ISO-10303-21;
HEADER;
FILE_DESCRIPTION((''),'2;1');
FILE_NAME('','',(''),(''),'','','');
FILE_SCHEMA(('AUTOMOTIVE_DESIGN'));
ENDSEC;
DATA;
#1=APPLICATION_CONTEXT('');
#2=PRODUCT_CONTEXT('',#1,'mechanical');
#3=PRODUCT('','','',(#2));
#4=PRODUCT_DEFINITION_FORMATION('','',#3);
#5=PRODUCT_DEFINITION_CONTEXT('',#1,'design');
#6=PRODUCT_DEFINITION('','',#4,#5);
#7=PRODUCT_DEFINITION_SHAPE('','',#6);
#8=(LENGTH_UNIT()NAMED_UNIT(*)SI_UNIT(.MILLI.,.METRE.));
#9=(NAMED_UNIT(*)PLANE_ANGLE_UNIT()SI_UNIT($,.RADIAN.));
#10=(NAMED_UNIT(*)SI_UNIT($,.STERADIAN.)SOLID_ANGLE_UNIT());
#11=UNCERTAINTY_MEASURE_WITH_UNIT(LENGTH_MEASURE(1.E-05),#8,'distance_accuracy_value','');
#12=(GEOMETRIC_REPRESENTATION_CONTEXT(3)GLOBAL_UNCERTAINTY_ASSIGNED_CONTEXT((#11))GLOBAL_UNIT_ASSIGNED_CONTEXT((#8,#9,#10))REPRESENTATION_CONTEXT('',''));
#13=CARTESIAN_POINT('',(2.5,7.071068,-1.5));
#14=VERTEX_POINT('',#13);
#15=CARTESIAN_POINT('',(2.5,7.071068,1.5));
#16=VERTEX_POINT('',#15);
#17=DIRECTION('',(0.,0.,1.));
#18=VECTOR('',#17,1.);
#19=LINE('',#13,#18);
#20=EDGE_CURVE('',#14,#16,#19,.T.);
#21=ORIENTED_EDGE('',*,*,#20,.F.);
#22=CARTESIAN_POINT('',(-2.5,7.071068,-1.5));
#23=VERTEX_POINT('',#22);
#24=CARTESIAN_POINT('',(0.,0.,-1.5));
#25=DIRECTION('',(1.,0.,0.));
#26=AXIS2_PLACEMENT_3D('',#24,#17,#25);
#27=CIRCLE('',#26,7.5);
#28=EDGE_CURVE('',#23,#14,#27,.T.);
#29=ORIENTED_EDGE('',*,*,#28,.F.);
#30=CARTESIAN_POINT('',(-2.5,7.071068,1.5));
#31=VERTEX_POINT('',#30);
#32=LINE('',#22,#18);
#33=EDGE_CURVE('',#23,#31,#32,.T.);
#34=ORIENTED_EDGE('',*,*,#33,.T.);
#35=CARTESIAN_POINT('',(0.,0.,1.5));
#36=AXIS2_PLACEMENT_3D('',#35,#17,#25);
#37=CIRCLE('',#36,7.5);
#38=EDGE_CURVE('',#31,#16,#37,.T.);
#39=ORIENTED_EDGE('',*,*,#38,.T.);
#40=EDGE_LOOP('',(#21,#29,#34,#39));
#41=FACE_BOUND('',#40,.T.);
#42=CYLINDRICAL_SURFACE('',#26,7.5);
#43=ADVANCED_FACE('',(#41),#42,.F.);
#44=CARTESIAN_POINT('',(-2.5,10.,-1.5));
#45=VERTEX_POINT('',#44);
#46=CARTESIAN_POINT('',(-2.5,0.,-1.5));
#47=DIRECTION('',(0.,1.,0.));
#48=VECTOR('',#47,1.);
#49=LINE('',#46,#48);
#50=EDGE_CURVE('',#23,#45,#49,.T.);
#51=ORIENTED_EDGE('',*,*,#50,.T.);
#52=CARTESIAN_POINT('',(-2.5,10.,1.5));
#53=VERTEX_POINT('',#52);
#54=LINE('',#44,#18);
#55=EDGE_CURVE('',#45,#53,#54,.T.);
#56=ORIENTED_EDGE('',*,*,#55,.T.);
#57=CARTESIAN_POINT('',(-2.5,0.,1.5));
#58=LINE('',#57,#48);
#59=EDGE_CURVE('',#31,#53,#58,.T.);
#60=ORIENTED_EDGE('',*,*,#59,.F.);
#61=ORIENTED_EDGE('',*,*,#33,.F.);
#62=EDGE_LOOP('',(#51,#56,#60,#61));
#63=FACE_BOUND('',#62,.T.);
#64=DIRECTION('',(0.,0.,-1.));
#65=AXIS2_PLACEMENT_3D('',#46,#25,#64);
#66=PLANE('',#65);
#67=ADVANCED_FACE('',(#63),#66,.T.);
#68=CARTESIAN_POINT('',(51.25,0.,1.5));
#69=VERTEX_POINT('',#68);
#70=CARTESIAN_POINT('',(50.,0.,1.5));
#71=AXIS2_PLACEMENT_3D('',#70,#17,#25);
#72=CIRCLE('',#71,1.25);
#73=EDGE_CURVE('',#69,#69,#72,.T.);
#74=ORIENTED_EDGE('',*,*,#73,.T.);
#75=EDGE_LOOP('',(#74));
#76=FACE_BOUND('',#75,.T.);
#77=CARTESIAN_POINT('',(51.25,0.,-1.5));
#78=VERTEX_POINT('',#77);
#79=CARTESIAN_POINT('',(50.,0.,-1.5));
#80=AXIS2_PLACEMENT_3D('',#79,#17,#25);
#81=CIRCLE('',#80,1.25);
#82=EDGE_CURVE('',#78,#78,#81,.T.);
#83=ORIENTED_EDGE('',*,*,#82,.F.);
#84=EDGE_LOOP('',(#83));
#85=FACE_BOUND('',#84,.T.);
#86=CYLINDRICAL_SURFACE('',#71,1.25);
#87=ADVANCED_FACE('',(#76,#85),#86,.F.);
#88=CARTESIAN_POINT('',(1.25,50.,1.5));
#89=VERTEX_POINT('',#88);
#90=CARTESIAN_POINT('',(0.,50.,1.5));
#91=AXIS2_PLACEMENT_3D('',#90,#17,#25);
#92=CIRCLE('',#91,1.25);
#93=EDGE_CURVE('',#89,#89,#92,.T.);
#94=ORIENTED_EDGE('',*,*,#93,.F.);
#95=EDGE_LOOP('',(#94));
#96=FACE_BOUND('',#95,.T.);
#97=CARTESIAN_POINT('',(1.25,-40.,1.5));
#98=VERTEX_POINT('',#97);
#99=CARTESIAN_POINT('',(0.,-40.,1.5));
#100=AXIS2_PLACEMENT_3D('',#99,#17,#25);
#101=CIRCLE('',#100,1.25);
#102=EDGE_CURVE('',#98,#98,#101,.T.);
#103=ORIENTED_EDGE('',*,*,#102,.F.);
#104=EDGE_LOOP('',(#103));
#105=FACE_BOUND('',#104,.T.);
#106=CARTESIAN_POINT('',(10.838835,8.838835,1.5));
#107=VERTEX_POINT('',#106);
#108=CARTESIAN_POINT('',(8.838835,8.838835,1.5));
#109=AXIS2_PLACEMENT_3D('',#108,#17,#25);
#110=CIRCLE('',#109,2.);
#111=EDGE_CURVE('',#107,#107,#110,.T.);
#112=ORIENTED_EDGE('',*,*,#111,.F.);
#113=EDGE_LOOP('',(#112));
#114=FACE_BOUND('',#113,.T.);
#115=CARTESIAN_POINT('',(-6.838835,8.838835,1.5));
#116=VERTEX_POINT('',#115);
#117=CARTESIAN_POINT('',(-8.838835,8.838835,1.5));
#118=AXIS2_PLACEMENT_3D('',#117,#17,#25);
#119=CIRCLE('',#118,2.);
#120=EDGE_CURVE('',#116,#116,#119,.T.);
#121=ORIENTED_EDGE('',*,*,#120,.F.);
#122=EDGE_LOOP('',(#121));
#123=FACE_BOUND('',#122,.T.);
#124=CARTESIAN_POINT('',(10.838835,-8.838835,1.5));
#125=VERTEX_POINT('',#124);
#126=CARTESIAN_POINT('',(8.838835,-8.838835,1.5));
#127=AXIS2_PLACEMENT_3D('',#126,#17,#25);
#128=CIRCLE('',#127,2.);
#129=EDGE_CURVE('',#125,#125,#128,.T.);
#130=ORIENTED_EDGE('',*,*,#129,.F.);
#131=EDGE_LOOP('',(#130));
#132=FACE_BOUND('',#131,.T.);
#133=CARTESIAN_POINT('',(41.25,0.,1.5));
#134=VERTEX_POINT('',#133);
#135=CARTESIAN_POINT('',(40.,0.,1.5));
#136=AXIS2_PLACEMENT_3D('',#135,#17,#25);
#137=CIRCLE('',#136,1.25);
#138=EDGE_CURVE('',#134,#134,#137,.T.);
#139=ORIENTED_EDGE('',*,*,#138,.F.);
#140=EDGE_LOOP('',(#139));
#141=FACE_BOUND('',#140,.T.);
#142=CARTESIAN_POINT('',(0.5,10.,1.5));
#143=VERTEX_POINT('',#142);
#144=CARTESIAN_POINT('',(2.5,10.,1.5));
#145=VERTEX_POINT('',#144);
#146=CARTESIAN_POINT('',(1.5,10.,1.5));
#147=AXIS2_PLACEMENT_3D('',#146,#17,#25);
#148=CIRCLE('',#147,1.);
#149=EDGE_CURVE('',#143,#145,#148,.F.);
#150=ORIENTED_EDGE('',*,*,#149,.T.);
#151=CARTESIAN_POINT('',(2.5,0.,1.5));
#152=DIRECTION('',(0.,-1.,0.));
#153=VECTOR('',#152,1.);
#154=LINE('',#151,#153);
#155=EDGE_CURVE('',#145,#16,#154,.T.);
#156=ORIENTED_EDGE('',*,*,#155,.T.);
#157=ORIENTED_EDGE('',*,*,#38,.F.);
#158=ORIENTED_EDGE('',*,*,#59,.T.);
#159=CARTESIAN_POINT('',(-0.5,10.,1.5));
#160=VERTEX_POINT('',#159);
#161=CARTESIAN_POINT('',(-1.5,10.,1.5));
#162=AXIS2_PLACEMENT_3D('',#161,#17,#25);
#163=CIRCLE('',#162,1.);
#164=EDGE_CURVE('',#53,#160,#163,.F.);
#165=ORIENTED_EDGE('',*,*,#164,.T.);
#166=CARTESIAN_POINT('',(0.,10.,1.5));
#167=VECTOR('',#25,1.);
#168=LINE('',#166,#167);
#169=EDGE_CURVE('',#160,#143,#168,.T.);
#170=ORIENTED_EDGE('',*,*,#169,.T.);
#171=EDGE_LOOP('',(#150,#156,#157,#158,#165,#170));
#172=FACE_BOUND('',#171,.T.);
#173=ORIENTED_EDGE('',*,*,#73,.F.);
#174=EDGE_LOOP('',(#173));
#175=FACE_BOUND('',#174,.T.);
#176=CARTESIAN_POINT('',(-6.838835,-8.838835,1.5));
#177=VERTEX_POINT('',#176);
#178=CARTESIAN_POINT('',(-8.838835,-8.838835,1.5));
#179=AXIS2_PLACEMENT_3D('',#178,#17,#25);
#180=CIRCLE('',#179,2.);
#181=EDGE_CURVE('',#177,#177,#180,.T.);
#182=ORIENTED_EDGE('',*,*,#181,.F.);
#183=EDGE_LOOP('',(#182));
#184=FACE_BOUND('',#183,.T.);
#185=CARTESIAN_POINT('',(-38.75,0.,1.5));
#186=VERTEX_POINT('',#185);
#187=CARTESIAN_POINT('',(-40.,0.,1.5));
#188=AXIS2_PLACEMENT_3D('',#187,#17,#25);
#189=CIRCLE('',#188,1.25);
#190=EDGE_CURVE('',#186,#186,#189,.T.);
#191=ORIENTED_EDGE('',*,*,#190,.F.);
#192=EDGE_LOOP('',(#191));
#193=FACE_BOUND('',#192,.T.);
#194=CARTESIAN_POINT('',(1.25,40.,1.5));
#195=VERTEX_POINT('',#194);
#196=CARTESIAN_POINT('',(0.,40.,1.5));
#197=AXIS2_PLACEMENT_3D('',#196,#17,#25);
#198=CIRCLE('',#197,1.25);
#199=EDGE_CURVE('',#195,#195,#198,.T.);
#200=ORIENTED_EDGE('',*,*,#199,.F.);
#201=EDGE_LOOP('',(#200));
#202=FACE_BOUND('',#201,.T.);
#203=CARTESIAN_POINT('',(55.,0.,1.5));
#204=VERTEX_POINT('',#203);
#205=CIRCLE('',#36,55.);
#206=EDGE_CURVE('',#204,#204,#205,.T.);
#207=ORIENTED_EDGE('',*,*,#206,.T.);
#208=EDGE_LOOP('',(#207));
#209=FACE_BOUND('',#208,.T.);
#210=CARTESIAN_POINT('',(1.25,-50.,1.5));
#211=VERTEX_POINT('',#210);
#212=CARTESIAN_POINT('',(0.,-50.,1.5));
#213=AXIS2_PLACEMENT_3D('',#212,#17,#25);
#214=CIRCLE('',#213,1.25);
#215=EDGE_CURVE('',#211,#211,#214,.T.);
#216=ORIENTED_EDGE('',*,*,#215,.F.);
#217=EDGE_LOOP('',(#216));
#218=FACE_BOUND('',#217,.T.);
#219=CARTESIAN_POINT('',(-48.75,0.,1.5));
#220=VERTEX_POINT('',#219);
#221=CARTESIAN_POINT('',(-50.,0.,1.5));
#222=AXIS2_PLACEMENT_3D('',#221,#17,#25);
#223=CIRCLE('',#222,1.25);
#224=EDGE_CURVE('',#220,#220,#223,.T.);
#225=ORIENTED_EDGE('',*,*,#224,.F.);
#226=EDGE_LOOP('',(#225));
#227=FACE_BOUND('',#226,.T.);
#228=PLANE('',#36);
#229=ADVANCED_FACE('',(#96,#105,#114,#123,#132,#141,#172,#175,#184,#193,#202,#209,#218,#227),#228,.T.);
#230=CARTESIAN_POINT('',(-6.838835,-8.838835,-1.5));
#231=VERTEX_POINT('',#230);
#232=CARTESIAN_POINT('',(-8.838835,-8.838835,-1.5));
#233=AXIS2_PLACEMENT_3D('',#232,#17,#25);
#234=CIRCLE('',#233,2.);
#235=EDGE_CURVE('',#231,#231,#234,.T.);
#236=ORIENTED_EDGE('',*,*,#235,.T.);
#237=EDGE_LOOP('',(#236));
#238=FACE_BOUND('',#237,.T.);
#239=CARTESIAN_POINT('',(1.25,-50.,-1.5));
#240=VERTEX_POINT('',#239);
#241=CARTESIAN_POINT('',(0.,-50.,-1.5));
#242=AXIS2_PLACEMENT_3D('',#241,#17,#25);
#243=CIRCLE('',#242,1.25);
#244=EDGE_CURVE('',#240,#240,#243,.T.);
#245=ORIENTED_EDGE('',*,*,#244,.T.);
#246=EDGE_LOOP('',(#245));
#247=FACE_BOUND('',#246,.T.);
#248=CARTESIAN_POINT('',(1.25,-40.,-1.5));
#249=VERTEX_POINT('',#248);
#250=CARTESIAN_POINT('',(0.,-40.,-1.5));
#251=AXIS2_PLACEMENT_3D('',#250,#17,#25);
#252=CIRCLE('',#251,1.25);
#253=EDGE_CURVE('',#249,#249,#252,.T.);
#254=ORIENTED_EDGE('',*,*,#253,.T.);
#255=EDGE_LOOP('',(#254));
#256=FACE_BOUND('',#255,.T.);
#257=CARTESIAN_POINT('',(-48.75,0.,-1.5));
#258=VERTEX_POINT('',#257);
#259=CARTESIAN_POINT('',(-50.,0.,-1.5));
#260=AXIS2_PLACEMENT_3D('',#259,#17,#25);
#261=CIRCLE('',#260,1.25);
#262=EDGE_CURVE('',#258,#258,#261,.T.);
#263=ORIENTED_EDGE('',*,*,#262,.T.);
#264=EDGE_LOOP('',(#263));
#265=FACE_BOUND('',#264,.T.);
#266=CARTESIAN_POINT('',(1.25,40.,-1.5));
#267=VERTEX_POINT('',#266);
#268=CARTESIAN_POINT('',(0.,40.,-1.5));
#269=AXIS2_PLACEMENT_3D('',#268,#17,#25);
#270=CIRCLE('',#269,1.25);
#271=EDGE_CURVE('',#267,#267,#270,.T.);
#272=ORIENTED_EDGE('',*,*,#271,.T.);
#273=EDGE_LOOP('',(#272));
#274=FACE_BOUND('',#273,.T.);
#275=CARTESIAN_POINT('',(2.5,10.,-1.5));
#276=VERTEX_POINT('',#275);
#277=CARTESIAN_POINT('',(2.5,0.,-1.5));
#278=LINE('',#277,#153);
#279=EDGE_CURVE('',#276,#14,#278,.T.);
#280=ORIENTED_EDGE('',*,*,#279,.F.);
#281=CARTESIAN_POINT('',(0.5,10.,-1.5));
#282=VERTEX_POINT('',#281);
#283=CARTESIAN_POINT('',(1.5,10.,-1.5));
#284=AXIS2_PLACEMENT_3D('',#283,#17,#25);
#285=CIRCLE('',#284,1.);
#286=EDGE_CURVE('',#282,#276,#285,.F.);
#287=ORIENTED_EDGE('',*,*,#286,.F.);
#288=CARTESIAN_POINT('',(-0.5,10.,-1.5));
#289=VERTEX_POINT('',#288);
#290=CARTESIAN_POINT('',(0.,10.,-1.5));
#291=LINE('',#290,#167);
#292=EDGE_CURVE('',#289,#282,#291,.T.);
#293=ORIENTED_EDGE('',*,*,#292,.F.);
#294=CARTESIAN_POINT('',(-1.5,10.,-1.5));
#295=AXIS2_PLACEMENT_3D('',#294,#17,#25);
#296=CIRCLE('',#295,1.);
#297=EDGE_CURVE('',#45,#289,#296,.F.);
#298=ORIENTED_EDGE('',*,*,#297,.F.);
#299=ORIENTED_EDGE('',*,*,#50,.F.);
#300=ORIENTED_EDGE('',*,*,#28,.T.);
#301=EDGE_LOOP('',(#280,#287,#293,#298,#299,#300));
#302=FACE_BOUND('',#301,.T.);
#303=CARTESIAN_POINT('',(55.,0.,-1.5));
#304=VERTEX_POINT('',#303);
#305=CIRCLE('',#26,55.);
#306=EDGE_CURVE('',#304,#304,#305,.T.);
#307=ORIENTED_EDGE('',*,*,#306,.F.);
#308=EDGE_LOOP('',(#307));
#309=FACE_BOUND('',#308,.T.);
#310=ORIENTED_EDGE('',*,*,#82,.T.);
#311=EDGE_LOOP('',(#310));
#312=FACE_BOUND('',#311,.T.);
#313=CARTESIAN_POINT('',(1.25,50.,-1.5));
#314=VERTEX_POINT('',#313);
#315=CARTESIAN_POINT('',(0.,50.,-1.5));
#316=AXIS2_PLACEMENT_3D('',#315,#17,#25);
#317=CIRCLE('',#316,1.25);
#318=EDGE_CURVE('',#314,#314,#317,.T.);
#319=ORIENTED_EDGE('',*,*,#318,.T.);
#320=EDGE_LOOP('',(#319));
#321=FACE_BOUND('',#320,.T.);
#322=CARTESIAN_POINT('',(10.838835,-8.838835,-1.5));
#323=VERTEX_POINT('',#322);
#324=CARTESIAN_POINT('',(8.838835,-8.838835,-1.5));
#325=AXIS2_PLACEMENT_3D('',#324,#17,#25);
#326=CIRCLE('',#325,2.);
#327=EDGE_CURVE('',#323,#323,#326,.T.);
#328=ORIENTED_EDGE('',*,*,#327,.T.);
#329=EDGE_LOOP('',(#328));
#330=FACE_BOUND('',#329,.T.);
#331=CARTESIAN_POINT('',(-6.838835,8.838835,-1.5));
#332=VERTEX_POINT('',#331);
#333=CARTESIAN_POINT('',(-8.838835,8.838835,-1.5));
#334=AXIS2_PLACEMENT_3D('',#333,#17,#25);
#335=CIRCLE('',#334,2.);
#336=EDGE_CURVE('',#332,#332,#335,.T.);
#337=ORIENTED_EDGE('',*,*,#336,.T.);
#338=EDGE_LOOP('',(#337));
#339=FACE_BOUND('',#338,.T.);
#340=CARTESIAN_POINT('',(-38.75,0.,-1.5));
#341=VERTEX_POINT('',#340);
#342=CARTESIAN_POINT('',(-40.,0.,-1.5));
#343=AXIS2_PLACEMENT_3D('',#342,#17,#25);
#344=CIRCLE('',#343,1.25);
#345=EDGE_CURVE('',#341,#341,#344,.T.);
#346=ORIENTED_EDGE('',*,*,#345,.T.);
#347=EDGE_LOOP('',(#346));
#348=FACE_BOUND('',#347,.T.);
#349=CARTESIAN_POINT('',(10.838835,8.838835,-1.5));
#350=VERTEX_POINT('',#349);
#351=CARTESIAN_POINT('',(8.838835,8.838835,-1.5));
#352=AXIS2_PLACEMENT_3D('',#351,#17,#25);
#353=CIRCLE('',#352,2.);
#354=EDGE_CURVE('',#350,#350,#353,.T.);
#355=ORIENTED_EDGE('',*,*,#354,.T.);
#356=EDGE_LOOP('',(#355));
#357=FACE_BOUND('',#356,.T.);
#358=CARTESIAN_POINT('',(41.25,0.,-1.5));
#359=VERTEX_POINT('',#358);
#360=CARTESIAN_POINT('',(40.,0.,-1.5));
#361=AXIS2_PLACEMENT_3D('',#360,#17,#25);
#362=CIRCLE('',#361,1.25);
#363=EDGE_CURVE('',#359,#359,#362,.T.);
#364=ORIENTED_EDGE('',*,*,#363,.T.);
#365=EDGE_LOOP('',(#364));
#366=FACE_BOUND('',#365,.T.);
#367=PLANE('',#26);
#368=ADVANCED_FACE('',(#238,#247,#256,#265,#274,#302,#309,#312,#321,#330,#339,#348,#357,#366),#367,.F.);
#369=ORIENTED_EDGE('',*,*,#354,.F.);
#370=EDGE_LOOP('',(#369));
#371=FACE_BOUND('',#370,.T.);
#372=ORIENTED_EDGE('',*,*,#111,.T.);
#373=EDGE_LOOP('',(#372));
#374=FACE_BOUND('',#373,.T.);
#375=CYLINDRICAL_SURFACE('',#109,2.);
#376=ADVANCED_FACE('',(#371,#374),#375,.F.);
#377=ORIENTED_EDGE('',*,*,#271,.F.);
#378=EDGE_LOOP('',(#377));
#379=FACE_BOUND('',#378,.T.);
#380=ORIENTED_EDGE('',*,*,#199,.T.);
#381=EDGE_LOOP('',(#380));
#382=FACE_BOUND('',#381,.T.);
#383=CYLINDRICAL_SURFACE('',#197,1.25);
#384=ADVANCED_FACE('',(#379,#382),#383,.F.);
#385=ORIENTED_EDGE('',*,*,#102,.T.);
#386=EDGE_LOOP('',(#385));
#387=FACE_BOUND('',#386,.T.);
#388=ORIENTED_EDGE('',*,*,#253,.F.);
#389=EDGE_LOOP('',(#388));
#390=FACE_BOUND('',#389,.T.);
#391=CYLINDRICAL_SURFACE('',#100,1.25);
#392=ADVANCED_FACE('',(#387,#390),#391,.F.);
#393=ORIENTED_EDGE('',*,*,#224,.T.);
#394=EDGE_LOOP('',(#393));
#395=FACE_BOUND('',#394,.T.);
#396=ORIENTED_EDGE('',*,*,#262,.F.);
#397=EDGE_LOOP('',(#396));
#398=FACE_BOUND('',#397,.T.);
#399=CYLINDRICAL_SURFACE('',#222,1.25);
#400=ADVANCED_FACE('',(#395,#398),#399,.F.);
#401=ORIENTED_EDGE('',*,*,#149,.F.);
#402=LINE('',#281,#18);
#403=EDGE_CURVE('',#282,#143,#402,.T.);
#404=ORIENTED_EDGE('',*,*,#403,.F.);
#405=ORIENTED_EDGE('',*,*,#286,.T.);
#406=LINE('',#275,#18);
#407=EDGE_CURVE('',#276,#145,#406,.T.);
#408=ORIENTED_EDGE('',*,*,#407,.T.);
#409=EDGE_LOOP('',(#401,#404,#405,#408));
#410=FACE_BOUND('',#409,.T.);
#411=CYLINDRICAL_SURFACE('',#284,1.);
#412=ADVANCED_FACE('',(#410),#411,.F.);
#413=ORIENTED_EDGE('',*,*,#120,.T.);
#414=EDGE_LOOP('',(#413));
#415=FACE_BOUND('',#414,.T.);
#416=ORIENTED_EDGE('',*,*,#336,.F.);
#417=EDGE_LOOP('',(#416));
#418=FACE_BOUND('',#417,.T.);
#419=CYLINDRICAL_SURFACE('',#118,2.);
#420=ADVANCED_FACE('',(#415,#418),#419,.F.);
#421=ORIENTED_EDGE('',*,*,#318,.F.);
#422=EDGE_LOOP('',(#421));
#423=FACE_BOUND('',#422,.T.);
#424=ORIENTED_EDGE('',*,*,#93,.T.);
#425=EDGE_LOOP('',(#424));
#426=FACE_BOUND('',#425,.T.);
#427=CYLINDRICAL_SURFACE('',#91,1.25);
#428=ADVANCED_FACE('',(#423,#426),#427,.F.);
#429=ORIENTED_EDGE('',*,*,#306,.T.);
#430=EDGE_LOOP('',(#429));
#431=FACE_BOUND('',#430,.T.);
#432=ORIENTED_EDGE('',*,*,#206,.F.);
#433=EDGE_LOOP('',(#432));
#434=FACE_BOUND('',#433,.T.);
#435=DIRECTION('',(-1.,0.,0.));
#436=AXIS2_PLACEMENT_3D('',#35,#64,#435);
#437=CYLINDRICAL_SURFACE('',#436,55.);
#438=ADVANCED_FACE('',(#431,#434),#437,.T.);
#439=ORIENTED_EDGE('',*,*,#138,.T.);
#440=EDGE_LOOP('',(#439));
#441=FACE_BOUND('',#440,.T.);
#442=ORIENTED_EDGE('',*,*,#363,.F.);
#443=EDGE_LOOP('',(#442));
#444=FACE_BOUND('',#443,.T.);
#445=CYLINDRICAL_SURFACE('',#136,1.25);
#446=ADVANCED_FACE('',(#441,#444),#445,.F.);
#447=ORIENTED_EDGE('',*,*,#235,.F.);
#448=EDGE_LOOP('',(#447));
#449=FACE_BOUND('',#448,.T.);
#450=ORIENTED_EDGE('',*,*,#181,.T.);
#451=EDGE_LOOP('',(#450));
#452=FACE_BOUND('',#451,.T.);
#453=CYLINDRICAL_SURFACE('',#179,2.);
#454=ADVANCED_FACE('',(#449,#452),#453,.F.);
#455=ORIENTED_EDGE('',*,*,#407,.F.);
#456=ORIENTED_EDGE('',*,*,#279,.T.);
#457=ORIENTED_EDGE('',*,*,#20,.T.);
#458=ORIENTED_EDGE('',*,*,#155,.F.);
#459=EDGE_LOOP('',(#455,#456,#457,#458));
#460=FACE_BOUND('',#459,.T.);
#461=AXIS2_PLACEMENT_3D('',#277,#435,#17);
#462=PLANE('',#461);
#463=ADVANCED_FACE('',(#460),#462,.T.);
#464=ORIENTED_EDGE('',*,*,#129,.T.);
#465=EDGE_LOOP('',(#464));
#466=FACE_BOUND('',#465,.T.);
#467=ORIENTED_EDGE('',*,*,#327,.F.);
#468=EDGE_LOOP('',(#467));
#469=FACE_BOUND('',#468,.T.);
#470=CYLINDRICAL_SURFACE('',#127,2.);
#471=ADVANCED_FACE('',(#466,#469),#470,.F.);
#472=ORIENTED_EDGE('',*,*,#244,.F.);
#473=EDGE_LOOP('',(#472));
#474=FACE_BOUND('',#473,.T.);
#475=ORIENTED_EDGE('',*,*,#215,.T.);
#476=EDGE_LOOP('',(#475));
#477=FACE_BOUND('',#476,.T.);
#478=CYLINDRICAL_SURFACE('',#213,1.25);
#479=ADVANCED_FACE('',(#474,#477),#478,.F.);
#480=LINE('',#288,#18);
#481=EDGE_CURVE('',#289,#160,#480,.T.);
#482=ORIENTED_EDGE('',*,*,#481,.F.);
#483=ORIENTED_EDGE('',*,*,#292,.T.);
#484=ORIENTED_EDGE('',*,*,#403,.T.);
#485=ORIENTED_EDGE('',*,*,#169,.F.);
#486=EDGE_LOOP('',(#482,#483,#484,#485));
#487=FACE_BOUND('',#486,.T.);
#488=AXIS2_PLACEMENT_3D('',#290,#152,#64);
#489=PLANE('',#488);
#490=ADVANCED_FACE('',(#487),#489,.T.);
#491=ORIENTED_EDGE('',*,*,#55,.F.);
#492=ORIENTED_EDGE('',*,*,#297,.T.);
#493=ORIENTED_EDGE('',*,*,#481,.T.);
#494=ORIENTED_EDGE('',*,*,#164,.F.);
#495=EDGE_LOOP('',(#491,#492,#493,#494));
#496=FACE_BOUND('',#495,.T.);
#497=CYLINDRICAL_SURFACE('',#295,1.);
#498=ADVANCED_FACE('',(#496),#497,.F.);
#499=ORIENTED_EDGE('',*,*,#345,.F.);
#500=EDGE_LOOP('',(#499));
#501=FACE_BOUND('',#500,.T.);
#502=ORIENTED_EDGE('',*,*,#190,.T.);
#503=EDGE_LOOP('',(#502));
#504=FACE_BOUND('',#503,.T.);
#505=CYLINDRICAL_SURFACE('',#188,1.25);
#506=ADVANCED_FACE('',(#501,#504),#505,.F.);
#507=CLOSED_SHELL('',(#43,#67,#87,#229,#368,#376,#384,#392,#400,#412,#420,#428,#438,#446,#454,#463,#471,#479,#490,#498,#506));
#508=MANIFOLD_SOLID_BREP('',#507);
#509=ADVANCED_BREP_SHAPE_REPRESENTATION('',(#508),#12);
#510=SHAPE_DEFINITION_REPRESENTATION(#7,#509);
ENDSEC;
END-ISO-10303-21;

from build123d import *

# Parameters (mm, degrees)
SKETCH_1_R               = 55
EXTRUDE_1_DEPTH          = 1.5
CUT_EXTRUDE_7_DEPTH      = 78.796208134
CUT_EXTRUDE_7_DEPTH_BACK = 78.796208134
M3X0_5_1_D               = 2.5
F_4_0MM_1_D              = 4
F_4_0MM_1_DEPTH          = 5
F_4_0MM_1_TIP            = 1.201721238


with BuildPart() as part:
    # ｽｹｯﾁ1 → ﾎﾞｽ - 押し出し1 (new, symmetric)
    with BuildSketch(Plane.XY):
        Circle(SKETCH_1_R)
    extrude(amount=EXTRUDE_1_DEPTH, both=True)

    # ｽｹｯﾁ1<4> → ｶｯﾄ - 押し出し7 (cut, two sides: drawn at the far end of the back side and taken through both)
    with BuildSketch(Plane.XY.offset(-CUT_EXTRUDE_7_DEPTH_BACK)):
        with BuildLine():
            Line((-2.5, 10), (-2.5, 7.071067812))
            ThreePointArc((-2.5, 7.071067812), (0, -7.5), (2.5, 7.071067812))
            Line((2.5, 7.071067812), (2.5, 10))
            ThreePointArc((2.5, 10), (1.5, 11), (0.5, 10))
            Line((0.5, 10), (-0.5, 10))
            ThreePointArc((-0.5, 10), (-1.5, 11), (-2.5, 10))
        make_face()
    extrude(amount=CUT_EXTRUDE_7_DEPTH + CUT_EXTRUDE_7_DEPTH_BACK, mode=Mode.SUBTRACT)

    # M3x0.5 ねじ穴1 (through all)
    with Locations(Plane(origin=(0, 50, 1.5), x_dir=(1, 0, 0), z_dir=(0, 0, 1))):
        with Locations((0, 0), (0, -10), (-50, -50), (-40, -50), (0, -100), (0, -90), (50, -50), (40, -50)):
            Hole(M3X0_5_1_D / 2)

    # Ø4.0mm ﾀﾞｳｴﾙ穴1
    with Locations(Plane.XY.offset(1.5)):
        with Locations((-8.838834765, -8.838834765), (-8.838834765, 8.838834765), (8.838834765, 8.838834765), (8.838834765, -8.838834765)):
            Hole(F_4_0MM_1_D / 2, depth=F_4_0MM_1_DEPTH)
            with Locations((0, 0, -(F_4_0MM_1_DEPTH + F_4_0MM_1_TIP / 2))):  # 118° drill point
                Cone(0, F_4_0MM_1_D / 2, F_4_0MM_1_TIP, mode=Mode.SUBTRACT)


solid = part.part
